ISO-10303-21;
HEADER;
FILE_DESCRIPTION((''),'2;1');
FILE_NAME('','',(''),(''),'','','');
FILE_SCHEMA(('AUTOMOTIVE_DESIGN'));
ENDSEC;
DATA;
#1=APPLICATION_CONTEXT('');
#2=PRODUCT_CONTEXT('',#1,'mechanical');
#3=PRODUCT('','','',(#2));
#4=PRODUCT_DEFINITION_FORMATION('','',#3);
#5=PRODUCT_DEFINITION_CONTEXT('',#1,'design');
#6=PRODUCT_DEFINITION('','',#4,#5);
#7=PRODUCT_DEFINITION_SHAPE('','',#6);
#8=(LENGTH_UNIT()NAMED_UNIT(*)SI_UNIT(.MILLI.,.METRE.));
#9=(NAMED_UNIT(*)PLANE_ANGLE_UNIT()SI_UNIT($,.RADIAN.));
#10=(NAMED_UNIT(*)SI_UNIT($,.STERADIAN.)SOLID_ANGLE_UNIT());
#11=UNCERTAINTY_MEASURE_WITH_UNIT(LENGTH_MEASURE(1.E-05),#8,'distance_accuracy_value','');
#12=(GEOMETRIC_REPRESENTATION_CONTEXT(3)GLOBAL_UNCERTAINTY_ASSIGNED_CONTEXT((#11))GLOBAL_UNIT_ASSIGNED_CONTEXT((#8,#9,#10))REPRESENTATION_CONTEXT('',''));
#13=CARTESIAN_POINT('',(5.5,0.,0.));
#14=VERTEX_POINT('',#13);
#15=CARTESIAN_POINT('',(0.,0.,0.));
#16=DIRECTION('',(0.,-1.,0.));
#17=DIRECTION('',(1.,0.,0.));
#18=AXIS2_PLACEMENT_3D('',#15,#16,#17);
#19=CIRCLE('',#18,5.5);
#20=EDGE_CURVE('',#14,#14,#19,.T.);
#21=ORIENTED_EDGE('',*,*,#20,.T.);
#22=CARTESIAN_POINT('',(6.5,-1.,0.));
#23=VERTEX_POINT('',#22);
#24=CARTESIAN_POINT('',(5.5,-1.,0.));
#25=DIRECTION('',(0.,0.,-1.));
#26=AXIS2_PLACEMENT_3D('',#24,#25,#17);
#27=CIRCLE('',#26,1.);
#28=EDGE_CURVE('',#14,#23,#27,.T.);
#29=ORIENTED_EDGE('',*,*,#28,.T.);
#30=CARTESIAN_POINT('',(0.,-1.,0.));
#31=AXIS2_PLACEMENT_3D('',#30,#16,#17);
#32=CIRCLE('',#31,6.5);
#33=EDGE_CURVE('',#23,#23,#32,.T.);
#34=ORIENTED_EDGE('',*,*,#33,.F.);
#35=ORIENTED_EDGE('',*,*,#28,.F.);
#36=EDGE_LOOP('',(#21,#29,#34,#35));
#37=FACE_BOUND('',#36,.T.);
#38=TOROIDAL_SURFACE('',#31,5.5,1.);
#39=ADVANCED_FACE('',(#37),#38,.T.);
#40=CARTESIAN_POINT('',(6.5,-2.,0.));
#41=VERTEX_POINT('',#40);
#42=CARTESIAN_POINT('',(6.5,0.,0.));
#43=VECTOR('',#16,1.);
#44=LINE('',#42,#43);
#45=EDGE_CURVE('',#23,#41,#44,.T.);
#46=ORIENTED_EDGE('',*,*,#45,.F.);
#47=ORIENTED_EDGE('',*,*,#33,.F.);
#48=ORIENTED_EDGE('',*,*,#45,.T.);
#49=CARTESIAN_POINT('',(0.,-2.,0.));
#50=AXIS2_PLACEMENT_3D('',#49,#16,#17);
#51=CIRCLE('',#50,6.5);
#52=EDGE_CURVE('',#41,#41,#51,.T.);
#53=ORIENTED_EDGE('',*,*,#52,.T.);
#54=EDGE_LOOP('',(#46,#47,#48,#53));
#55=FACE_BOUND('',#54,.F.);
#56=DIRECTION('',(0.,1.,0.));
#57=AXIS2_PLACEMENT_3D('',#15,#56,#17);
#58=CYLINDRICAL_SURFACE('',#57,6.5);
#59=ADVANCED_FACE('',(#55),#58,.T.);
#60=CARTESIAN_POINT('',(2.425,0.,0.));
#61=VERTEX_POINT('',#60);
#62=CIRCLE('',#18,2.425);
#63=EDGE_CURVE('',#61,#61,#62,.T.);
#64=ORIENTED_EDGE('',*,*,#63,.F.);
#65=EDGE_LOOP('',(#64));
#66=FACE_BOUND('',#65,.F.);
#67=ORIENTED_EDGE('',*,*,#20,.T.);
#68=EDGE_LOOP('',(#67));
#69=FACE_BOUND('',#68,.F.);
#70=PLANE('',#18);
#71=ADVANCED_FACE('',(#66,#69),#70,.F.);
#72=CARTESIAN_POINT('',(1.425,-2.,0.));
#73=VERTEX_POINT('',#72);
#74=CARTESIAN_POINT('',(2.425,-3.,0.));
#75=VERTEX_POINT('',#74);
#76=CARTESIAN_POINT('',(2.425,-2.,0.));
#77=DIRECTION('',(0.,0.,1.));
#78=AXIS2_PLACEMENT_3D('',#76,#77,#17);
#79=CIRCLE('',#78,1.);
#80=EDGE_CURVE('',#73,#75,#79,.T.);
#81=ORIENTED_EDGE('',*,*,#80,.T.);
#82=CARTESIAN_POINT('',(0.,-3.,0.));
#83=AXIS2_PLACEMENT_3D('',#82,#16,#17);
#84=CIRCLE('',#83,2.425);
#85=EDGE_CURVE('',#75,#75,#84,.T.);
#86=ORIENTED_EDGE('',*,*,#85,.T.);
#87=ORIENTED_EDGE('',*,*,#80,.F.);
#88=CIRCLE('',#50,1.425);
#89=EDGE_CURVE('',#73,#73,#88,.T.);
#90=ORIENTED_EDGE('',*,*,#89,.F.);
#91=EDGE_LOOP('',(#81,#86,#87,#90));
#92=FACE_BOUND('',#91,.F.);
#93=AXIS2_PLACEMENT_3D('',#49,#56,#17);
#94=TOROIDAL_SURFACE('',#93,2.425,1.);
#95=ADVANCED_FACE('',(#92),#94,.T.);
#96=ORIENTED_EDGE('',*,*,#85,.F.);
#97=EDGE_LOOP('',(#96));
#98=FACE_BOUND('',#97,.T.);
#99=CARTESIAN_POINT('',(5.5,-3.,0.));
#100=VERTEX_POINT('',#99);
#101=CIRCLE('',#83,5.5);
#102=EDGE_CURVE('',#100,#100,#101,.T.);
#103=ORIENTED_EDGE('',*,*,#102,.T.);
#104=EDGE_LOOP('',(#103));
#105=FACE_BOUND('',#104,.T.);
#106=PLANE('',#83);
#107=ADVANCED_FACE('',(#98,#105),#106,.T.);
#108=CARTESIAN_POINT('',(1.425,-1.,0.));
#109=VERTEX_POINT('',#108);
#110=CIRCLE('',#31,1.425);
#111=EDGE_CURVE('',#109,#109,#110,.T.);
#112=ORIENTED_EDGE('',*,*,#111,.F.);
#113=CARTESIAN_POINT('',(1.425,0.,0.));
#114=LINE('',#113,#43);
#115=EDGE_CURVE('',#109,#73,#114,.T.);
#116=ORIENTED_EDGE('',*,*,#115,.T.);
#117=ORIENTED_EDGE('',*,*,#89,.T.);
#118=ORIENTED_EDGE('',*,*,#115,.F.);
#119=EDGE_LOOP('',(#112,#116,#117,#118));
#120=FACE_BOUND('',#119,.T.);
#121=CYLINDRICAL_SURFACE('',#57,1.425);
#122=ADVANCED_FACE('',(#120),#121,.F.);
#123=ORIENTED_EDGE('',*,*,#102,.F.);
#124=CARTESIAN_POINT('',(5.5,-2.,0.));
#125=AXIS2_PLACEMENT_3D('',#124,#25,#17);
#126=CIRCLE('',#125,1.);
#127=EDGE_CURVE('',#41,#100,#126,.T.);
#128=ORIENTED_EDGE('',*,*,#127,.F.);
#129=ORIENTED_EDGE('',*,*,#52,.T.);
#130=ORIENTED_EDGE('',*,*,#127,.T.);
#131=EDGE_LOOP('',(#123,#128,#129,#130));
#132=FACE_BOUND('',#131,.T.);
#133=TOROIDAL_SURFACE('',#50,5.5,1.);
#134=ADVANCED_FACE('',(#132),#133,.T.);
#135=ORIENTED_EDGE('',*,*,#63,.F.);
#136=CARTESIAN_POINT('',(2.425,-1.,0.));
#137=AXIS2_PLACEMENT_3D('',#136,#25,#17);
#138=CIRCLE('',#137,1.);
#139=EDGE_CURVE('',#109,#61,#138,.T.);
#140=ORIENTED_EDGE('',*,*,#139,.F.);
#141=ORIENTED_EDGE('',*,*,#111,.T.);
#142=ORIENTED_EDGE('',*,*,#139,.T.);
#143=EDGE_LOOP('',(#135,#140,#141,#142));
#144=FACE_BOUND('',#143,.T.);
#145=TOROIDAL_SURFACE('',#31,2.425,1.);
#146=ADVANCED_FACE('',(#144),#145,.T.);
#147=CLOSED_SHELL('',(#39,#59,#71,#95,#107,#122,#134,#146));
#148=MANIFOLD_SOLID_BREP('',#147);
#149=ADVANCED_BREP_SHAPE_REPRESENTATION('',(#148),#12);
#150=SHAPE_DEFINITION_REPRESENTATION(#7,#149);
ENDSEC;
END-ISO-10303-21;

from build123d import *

# Parameters (mm, degrees)
F0_R     = 6.5
F0_R_2   = 1.425
F1_DEPTH = 3
F2_R     = 1
F3_R     = 1
F4_R     = 1
F5_R     = 1


with BuildPart() as f1:
    # F0 (on Front) → F1 (new body)
    with BuildSketch(Plane.XZ):
        Circle(F0_R)
        Circle(F0_R_2, mode=Mode.SUBTRACT)
    extrude(amount=F1_DEPTH)

    # F2
    f2_edges = [f1.edges().sort_by_distance(p)[0] for p in [
        (-1.425, -3, 0),
    ]]
    fillet(f2_edges, radius=F2_R)

    # F3
    f3_edges = [f1.edges().sort_by_distance(p)[0] for p in [
        (-1.425, 0, 0),
    ]]
    fillet(f3_edges, radius=F3_R)

    # F4
    f4_edges = [f1.edges().sort_by_distance(p)[0] for p in [
        (-6.5, 0, 0),
    ]]
    fillet(f4_edges, radius=F4_R)

    # F5
    f5_edges = [f1.edges().sort_by_distance(p)[0] for p in [
        (-6.5, -3, 0),
    ]]
    fillet(f5_edges, radius=F5_R)


solid = f1.part
